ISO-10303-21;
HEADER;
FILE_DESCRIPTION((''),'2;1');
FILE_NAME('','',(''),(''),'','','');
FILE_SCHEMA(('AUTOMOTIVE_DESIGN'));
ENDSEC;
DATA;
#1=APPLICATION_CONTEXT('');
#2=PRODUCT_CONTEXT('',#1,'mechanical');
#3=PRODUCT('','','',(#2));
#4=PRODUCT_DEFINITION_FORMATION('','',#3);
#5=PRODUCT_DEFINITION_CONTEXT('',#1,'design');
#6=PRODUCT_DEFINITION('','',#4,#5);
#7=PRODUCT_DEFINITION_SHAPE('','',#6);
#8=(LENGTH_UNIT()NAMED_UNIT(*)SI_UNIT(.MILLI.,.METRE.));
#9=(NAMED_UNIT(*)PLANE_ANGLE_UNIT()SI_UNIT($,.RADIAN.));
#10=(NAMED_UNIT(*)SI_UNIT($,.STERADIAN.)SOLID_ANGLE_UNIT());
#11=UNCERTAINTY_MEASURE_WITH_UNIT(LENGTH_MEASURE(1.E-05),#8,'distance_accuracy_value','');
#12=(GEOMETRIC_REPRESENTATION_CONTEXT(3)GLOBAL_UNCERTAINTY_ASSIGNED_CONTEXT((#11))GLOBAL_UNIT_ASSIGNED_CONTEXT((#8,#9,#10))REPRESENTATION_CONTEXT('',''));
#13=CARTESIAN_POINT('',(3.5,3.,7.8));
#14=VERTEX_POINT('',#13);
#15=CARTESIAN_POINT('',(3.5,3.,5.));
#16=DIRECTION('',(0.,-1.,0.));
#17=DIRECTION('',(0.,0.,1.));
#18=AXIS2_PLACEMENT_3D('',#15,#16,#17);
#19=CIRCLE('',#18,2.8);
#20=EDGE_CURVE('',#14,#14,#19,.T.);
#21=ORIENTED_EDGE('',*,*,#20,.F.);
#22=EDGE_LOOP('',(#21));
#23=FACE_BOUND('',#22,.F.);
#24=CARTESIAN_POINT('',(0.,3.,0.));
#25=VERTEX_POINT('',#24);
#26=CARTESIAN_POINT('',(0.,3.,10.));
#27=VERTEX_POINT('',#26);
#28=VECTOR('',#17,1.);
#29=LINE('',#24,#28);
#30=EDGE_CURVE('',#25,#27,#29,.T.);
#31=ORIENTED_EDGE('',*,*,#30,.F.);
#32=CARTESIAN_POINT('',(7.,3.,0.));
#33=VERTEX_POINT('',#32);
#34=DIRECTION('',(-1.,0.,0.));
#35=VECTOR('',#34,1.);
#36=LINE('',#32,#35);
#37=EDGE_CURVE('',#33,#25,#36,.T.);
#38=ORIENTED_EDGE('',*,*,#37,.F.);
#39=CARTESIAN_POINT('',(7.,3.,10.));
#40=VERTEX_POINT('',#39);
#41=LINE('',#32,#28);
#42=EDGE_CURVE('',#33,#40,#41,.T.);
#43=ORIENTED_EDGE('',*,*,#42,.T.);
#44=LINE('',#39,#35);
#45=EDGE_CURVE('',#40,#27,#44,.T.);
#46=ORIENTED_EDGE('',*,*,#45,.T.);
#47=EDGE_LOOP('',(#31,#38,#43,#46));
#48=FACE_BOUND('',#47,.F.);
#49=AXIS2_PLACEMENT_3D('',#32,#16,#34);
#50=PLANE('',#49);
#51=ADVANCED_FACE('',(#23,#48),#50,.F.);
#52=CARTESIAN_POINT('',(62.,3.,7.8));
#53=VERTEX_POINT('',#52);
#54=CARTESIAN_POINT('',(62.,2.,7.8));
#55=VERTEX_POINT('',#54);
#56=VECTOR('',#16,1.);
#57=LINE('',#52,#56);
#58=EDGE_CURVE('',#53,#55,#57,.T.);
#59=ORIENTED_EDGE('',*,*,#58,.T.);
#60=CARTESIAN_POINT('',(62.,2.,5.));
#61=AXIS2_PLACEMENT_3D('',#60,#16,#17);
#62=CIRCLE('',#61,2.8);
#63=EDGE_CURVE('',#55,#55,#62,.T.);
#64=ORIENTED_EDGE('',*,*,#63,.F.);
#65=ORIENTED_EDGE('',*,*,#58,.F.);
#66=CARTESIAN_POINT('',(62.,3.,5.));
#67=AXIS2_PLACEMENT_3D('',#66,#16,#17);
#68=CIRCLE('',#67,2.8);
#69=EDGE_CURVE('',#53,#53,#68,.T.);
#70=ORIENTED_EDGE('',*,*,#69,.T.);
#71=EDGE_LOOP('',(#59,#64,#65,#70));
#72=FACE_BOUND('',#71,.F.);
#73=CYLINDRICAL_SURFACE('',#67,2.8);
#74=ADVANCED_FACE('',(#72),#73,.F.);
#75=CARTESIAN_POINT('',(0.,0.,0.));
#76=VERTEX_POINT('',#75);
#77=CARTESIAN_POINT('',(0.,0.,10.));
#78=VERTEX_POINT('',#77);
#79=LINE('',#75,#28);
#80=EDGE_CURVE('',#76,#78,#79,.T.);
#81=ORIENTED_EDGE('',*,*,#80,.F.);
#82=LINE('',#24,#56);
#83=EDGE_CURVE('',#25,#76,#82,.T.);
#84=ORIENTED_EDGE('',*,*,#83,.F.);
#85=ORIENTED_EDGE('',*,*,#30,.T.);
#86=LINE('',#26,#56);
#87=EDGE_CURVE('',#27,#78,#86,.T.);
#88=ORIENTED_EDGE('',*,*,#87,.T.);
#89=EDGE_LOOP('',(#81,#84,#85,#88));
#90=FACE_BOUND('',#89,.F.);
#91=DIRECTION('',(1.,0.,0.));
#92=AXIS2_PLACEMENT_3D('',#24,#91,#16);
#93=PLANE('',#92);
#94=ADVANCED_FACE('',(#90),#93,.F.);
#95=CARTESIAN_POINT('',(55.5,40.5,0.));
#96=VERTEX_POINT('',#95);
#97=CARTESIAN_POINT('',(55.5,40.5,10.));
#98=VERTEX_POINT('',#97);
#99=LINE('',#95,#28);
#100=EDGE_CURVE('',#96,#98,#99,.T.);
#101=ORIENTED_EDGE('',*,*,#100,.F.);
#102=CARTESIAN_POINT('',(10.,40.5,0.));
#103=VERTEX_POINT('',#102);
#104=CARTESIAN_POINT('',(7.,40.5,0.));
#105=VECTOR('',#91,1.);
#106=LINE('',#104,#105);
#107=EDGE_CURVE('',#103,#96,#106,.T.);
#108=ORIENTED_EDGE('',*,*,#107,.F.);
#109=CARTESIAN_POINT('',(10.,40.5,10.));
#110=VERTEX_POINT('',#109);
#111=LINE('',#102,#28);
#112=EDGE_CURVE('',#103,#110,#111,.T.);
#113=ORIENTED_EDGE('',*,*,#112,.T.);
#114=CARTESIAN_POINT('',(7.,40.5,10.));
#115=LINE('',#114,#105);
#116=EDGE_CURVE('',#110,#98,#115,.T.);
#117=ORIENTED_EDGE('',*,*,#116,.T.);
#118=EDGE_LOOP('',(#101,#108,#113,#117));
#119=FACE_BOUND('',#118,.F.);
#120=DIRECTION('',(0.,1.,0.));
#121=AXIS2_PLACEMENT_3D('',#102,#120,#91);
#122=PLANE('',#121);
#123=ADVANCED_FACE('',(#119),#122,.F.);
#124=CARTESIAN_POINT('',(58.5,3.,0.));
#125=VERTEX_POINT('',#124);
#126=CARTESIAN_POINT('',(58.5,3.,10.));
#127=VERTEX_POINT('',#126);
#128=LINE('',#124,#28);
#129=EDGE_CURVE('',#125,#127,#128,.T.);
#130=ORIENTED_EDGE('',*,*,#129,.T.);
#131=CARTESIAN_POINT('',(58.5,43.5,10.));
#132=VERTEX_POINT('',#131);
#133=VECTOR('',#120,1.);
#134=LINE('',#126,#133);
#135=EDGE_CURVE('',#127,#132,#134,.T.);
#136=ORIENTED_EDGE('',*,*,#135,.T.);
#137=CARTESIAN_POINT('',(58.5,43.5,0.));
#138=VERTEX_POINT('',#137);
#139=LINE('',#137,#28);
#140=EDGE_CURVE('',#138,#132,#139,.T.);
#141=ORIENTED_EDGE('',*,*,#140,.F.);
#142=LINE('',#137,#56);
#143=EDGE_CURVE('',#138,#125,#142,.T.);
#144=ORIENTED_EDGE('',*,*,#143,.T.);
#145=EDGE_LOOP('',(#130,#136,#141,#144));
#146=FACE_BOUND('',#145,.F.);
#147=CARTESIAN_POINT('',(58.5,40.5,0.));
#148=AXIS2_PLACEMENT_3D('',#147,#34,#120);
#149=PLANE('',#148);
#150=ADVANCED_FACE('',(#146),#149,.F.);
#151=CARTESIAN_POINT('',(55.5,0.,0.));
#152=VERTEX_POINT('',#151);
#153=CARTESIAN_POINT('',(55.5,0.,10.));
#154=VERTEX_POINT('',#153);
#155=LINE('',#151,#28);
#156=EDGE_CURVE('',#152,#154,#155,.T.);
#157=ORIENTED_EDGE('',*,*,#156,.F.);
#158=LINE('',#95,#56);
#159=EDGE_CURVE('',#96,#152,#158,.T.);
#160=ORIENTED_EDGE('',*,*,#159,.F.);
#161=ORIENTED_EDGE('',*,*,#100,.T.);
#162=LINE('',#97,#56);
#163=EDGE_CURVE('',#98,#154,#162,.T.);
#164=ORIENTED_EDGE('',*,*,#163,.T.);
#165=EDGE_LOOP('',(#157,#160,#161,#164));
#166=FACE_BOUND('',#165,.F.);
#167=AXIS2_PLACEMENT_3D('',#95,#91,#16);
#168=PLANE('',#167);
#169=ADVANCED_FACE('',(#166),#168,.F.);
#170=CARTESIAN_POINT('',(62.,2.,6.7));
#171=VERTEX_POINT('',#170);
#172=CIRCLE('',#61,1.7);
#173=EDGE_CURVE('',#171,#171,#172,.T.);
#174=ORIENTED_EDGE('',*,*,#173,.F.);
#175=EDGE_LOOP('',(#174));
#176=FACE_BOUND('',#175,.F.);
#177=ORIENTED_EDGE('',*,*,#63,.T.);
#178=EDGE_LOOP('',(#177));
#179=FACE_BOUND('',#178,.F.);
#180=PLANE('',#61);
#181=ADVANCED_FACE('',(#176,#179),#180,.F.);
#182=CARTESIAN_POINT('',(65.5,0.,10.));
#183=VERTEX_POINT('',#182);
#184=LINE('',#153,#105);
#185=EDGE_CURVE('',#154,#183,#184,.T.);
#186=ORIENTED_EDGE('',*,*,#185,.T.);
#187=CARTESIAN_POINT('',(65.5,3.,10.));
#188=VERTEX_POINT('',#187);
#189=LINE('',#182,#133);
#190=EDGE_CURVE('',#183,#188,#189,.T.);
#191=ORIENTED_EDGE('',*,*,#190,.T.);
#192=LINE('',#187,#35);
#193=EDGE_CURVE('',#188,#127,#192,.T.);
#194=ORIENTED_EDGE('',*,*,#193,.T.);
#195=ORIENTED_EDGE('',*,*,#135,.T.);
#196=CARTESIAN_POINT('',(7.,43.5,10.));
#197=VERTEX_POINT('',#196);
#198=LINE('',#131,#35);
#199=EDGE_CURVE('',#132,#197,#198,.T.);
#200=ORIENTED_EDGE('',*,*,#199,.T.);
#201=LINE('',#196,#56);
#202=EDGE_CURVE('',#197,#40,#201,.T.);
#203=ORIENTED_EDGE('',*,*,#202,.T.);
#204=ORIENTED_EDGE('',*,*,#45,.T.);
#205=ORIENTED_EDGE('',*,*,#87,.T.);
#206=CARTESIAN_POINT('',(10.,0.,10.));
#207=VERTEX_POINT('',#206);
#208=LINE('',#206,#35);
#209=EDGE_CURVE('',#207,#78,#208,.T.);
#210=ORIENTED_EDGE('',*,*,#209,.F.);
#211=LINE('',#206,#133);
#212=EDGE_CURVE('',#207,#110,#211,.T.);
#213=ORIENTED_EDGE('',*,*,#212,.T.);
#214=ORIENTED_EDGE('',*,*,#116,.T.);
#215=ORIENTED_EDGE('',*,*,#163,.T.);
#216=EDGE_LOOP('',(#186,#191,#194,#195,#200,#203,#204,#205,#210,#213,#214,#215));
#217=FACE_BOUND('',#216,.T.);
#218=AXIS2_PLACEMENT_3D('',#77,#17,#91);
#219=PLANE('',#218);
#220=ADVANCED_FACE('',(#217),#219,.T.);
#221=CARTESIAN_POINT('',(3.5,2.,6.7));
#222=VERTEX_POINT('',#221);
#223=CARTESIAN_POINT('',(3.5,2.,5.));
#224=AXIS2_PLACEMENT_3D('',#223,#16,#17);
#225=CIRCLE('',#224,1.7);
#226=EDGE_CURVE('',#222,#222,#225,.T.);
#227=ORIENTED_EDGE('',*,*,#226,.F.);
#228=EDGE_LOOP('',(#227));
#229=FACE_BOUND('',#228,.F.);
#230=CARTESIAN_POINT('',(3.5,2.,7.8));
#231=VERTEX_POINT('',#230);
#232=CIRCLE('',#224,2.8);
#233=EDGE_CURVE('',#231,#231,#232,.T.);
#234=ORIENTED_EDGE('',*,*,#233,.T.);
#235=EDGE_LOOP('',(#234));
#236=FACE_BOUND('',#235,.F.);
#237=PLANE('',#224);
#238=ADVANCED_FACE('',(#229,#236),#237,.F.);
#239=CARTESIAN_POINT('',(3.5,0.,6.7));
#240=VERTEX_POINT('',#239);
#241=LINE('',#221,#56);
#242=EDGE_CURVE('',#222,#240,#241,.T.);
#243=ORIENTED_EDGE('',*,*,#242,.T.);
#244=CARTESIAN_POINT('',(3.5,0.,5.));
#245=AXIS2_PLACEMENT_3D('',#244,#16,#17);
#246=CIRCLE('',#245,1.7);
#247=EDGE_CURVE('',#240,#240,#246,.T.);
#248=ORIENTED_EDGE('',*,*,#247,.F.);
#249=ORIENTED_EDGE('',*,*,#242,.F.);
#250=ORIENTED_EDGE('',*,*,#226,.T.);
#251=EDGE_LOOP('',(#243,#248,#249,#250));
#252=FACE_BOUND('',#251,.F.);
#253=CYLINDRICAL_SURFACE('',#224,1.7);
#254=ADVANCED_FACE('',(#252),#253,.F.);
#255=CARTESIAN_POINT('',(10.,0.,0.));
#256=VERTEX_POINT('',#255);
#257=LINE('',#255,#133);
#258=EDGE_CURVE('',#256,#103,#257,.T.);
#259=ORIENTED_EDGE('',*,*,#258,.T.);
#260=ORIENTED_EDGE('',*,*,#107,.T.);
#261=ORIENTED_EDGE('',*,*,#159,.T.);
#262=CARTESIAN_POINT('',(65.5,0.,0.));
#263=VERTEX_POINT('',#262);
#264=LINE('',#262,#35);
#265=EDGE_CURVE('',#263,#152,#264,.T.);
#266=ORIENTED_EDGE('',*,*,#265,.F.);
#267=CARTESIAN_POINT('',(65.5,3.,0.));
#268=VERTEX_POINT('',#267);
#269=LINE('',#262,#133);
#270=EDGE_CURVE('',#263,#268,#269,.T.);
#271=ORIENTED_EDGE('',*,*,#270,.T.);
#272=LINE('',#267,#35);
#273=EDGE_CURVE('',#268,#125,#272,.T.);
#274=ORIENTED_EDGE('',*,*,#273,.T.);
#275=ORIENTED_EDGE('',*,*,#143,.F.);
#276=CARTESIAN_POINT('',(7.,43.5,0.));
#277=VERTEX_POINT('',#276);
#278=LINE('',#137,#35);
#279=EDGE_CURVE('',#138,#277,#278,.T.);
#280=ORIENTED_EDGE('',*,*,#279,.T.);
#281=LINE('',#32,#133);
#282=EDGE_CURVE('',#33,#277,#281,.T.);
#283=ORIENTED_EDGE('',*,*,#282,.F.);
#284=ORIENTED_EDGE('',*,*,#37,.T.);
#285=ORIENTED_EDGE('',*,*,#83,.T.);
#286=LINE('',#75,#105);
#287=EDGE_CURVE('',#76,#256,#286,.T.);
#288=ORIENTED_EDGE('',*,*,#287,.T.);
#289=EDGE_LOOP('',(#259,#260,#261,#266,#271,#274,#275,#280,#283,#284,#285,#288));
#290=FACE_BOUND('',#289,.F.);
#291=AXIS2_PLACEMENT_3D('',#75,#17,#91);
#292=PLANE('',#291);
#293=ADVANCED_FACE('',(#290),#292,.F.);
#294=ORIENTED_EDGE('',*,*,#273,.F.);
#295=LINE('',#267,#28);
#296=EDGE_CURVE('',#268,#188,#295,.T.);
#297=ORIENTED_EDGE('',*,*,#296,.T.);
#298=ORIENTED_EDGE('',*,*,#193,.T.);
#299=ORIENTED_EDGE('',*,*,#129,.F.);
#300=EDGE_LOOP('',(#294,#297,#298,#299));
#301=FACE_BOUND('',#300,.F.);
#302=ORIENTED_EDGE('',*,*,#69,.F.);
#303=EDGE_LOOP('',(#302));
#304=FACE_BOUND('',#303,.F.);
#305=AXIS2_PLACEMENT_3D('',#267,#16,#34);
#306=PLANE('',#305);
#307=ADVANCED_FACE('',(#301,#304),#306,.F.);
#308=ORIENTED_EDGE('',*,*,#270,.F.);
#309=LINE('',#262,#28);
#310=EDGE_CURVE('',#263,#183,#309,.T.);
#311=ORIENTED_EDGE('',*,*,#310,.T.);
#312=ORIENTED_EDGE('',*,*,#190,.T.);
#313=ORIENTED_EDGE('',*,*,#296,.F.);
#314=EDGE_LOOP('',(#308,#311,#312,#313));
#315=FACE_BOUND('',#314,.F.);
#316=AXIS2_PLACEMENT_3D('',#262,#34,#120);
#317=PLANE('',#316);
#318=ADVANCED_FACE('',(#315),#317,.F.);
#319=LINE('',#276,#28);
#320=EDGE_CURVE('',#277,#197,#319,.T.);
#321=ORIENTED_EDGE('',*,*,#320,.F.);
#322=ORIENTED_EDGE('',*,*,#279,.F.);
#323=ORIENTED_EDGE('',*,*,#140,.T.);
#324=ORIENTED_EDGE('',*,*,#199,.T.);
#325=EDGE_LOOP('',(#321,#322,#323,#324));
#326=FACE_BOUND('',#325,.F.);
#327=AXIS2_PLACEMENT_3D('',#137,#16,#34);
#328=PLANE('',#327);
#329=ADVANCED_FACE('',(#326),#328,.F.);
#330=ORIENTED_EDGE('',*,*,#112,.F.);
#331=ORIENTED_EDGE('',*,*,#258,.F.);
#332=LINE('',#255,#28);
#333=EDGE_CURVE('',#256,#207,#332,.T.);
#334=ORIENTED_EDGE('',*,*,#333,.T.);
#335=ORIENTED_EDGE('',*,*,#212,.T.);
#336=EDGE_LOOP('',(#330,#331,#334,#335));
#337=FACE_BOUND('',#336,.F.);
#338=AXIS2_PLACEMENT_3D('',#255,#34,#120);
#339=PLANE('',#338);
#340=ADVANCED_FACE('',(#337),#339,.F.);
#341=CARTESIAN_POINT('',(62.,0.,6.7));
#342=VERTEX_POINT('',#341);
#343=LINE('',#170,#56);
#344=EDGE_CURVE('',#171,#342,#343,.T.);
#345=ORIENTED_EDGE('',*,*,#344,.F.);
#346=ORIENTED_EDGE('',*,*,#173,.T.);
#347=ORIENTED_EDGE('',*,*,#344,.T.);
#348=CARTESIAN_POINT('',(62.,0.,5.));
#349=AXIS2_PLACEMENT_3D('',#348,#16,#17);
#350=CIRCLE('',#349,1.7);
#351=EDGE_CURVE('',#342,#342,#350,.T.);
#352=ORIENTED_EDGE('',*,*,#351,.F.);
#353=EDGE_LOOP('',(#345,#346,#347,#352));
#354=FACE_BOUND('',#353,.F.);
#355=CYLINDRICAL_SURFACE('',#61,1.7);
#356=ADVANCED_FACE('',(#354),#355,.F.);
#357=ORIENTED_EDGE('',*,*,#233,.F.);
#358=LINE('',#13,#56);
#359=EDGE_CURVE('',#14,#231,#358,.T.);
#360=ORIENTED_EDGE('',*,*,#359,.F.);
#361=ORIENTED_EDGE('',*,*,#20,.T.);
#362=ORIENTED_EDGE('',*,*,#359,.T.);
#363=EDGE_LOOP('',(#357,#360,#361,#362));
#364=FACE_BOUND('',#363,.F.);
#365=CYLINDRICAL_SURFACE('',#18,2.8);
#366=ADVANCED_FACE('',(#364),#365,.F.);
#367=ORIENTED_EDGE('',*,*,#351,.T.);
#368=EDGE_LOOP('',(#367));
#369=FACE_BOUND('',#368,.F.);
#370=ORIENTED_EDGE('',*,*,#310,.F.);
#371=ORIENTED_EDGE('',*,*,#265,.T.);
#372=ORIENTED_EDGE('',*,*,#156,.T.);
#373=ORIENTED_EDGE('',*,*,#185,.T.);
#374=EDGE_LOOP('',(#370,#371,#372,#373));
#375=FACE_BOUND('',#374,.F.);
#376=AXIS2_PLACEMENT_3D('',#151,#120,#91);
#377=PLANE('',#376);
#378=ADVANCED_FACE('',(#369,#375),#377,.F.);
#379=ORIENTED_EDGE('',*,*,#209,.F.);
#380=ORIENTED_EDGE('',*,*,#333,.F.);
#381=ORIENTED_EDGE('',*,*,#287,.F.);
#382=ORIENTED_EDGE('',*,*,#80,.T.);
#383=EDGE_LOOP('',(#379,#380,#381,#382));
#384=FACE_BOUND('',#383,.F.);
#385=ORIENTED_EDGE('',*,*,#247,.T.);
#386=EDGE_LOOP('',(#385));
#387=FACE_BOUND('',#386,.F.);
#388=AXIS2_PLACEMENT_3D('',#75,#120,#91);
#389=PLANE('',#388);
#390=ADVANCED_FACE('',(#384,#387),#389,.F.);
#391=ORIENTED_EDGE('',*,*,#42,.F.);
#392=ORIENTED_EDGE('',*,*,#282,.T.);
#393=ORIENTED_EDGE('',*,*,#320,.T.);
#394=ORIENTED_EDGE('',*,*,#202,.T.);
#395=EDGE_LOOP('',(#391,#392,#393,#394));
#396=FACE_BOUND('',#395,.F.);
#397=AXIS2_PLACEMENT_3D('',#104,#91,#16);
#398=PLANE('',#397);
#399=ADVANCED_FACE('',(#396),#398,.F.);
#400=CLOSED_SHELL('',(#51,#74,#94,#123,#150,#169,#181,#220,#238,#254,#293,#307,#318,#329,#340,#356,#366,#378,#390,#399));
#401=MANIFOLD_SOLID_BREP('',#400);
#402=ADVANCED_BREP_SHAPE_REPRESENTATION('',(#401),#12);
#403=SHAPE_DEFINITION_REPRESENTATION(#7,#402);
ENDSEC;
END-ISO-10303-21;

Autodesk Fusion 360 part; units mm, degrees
sketch "Sketch1" plane through (0, 0, 0) normal (0, 0, 1) x (1, 0, 0)
  line L0 (0, 0) -> (7, 0)
  line L1 (7, 0) -> (7, 3)
  line L2 (7, 3) -> (0, 3)
  line L3 (0, 3) -> (0, 0)
  line L4 (7, 0) -> (10, 0)
  line L5 (10, 0) -> (10, 40.5)
  line L6 (10, 40.5) -> (7, 40.5)
  line L7 (7, 40.5) -> (7, 0)
  line L8 (7, 40.5) -> (58.5, 40.5)
  line L9 (58.5, 40.5) -> (58.5, 43.5)
  line L10 (58.5, 43.5) -> (7, 43.5)
  line L11 (7, 43.5) -> (7, 40.5)
  line L12 (58.5, 40.5) -> (55.5, 40.5)
  line L13 (55.5, 40.5) -> (55.5, 0)
  line L14 (55.5, 0) -> (58.5, 0)
  line L15 (58.5, 0) -> (58.5, 40.5)
  line L16 (58.5, 0) -> (65.5, 0)
  line L17 (65.5, 0) -> (65.5, 3)
  line L18 (65.5, 3) -> (58.5, 3)
  line L19 (58.5, 3) -> (58.5, 0)
  dimension "d1" = 7
  dimension "d2" = 3
  dimension "d3" = 3
  dimension "d4" = 40.5
  dimension "d5" = 51.5
  dimension "d6" = 3
  dimension "d7" = 3
  dimension "d8" = 40.5
  dimension "d9" = 7
  dimension "d10" = 3
extrude "Extrude1" add sketch "Sketch1" along normal blind 10
sketch "Sketch2" plane through (0, 3, 0) normal (0, 1, 0) x (-1, 0, 0)
  line L0 (-65.5, 0) -> (-58.5, 0)
  line L1 (-58.5, 0) -> (-58.5, 10)
  line L2 (-58.5, 10) -> (-65.5, 10)
  line L3 (-65.5, 10) -> (-65.5, 0)
  point P0 (-62, 5)
  point P1 (-3.5, 5)
hole "Hole1" at (62, 3, 5) at (3.5, 3, 5) direction (0, -1, 0) diameter 3.4 depth 130 tip angle 118 counterbore diameter 5.6 counterbore depth 1
